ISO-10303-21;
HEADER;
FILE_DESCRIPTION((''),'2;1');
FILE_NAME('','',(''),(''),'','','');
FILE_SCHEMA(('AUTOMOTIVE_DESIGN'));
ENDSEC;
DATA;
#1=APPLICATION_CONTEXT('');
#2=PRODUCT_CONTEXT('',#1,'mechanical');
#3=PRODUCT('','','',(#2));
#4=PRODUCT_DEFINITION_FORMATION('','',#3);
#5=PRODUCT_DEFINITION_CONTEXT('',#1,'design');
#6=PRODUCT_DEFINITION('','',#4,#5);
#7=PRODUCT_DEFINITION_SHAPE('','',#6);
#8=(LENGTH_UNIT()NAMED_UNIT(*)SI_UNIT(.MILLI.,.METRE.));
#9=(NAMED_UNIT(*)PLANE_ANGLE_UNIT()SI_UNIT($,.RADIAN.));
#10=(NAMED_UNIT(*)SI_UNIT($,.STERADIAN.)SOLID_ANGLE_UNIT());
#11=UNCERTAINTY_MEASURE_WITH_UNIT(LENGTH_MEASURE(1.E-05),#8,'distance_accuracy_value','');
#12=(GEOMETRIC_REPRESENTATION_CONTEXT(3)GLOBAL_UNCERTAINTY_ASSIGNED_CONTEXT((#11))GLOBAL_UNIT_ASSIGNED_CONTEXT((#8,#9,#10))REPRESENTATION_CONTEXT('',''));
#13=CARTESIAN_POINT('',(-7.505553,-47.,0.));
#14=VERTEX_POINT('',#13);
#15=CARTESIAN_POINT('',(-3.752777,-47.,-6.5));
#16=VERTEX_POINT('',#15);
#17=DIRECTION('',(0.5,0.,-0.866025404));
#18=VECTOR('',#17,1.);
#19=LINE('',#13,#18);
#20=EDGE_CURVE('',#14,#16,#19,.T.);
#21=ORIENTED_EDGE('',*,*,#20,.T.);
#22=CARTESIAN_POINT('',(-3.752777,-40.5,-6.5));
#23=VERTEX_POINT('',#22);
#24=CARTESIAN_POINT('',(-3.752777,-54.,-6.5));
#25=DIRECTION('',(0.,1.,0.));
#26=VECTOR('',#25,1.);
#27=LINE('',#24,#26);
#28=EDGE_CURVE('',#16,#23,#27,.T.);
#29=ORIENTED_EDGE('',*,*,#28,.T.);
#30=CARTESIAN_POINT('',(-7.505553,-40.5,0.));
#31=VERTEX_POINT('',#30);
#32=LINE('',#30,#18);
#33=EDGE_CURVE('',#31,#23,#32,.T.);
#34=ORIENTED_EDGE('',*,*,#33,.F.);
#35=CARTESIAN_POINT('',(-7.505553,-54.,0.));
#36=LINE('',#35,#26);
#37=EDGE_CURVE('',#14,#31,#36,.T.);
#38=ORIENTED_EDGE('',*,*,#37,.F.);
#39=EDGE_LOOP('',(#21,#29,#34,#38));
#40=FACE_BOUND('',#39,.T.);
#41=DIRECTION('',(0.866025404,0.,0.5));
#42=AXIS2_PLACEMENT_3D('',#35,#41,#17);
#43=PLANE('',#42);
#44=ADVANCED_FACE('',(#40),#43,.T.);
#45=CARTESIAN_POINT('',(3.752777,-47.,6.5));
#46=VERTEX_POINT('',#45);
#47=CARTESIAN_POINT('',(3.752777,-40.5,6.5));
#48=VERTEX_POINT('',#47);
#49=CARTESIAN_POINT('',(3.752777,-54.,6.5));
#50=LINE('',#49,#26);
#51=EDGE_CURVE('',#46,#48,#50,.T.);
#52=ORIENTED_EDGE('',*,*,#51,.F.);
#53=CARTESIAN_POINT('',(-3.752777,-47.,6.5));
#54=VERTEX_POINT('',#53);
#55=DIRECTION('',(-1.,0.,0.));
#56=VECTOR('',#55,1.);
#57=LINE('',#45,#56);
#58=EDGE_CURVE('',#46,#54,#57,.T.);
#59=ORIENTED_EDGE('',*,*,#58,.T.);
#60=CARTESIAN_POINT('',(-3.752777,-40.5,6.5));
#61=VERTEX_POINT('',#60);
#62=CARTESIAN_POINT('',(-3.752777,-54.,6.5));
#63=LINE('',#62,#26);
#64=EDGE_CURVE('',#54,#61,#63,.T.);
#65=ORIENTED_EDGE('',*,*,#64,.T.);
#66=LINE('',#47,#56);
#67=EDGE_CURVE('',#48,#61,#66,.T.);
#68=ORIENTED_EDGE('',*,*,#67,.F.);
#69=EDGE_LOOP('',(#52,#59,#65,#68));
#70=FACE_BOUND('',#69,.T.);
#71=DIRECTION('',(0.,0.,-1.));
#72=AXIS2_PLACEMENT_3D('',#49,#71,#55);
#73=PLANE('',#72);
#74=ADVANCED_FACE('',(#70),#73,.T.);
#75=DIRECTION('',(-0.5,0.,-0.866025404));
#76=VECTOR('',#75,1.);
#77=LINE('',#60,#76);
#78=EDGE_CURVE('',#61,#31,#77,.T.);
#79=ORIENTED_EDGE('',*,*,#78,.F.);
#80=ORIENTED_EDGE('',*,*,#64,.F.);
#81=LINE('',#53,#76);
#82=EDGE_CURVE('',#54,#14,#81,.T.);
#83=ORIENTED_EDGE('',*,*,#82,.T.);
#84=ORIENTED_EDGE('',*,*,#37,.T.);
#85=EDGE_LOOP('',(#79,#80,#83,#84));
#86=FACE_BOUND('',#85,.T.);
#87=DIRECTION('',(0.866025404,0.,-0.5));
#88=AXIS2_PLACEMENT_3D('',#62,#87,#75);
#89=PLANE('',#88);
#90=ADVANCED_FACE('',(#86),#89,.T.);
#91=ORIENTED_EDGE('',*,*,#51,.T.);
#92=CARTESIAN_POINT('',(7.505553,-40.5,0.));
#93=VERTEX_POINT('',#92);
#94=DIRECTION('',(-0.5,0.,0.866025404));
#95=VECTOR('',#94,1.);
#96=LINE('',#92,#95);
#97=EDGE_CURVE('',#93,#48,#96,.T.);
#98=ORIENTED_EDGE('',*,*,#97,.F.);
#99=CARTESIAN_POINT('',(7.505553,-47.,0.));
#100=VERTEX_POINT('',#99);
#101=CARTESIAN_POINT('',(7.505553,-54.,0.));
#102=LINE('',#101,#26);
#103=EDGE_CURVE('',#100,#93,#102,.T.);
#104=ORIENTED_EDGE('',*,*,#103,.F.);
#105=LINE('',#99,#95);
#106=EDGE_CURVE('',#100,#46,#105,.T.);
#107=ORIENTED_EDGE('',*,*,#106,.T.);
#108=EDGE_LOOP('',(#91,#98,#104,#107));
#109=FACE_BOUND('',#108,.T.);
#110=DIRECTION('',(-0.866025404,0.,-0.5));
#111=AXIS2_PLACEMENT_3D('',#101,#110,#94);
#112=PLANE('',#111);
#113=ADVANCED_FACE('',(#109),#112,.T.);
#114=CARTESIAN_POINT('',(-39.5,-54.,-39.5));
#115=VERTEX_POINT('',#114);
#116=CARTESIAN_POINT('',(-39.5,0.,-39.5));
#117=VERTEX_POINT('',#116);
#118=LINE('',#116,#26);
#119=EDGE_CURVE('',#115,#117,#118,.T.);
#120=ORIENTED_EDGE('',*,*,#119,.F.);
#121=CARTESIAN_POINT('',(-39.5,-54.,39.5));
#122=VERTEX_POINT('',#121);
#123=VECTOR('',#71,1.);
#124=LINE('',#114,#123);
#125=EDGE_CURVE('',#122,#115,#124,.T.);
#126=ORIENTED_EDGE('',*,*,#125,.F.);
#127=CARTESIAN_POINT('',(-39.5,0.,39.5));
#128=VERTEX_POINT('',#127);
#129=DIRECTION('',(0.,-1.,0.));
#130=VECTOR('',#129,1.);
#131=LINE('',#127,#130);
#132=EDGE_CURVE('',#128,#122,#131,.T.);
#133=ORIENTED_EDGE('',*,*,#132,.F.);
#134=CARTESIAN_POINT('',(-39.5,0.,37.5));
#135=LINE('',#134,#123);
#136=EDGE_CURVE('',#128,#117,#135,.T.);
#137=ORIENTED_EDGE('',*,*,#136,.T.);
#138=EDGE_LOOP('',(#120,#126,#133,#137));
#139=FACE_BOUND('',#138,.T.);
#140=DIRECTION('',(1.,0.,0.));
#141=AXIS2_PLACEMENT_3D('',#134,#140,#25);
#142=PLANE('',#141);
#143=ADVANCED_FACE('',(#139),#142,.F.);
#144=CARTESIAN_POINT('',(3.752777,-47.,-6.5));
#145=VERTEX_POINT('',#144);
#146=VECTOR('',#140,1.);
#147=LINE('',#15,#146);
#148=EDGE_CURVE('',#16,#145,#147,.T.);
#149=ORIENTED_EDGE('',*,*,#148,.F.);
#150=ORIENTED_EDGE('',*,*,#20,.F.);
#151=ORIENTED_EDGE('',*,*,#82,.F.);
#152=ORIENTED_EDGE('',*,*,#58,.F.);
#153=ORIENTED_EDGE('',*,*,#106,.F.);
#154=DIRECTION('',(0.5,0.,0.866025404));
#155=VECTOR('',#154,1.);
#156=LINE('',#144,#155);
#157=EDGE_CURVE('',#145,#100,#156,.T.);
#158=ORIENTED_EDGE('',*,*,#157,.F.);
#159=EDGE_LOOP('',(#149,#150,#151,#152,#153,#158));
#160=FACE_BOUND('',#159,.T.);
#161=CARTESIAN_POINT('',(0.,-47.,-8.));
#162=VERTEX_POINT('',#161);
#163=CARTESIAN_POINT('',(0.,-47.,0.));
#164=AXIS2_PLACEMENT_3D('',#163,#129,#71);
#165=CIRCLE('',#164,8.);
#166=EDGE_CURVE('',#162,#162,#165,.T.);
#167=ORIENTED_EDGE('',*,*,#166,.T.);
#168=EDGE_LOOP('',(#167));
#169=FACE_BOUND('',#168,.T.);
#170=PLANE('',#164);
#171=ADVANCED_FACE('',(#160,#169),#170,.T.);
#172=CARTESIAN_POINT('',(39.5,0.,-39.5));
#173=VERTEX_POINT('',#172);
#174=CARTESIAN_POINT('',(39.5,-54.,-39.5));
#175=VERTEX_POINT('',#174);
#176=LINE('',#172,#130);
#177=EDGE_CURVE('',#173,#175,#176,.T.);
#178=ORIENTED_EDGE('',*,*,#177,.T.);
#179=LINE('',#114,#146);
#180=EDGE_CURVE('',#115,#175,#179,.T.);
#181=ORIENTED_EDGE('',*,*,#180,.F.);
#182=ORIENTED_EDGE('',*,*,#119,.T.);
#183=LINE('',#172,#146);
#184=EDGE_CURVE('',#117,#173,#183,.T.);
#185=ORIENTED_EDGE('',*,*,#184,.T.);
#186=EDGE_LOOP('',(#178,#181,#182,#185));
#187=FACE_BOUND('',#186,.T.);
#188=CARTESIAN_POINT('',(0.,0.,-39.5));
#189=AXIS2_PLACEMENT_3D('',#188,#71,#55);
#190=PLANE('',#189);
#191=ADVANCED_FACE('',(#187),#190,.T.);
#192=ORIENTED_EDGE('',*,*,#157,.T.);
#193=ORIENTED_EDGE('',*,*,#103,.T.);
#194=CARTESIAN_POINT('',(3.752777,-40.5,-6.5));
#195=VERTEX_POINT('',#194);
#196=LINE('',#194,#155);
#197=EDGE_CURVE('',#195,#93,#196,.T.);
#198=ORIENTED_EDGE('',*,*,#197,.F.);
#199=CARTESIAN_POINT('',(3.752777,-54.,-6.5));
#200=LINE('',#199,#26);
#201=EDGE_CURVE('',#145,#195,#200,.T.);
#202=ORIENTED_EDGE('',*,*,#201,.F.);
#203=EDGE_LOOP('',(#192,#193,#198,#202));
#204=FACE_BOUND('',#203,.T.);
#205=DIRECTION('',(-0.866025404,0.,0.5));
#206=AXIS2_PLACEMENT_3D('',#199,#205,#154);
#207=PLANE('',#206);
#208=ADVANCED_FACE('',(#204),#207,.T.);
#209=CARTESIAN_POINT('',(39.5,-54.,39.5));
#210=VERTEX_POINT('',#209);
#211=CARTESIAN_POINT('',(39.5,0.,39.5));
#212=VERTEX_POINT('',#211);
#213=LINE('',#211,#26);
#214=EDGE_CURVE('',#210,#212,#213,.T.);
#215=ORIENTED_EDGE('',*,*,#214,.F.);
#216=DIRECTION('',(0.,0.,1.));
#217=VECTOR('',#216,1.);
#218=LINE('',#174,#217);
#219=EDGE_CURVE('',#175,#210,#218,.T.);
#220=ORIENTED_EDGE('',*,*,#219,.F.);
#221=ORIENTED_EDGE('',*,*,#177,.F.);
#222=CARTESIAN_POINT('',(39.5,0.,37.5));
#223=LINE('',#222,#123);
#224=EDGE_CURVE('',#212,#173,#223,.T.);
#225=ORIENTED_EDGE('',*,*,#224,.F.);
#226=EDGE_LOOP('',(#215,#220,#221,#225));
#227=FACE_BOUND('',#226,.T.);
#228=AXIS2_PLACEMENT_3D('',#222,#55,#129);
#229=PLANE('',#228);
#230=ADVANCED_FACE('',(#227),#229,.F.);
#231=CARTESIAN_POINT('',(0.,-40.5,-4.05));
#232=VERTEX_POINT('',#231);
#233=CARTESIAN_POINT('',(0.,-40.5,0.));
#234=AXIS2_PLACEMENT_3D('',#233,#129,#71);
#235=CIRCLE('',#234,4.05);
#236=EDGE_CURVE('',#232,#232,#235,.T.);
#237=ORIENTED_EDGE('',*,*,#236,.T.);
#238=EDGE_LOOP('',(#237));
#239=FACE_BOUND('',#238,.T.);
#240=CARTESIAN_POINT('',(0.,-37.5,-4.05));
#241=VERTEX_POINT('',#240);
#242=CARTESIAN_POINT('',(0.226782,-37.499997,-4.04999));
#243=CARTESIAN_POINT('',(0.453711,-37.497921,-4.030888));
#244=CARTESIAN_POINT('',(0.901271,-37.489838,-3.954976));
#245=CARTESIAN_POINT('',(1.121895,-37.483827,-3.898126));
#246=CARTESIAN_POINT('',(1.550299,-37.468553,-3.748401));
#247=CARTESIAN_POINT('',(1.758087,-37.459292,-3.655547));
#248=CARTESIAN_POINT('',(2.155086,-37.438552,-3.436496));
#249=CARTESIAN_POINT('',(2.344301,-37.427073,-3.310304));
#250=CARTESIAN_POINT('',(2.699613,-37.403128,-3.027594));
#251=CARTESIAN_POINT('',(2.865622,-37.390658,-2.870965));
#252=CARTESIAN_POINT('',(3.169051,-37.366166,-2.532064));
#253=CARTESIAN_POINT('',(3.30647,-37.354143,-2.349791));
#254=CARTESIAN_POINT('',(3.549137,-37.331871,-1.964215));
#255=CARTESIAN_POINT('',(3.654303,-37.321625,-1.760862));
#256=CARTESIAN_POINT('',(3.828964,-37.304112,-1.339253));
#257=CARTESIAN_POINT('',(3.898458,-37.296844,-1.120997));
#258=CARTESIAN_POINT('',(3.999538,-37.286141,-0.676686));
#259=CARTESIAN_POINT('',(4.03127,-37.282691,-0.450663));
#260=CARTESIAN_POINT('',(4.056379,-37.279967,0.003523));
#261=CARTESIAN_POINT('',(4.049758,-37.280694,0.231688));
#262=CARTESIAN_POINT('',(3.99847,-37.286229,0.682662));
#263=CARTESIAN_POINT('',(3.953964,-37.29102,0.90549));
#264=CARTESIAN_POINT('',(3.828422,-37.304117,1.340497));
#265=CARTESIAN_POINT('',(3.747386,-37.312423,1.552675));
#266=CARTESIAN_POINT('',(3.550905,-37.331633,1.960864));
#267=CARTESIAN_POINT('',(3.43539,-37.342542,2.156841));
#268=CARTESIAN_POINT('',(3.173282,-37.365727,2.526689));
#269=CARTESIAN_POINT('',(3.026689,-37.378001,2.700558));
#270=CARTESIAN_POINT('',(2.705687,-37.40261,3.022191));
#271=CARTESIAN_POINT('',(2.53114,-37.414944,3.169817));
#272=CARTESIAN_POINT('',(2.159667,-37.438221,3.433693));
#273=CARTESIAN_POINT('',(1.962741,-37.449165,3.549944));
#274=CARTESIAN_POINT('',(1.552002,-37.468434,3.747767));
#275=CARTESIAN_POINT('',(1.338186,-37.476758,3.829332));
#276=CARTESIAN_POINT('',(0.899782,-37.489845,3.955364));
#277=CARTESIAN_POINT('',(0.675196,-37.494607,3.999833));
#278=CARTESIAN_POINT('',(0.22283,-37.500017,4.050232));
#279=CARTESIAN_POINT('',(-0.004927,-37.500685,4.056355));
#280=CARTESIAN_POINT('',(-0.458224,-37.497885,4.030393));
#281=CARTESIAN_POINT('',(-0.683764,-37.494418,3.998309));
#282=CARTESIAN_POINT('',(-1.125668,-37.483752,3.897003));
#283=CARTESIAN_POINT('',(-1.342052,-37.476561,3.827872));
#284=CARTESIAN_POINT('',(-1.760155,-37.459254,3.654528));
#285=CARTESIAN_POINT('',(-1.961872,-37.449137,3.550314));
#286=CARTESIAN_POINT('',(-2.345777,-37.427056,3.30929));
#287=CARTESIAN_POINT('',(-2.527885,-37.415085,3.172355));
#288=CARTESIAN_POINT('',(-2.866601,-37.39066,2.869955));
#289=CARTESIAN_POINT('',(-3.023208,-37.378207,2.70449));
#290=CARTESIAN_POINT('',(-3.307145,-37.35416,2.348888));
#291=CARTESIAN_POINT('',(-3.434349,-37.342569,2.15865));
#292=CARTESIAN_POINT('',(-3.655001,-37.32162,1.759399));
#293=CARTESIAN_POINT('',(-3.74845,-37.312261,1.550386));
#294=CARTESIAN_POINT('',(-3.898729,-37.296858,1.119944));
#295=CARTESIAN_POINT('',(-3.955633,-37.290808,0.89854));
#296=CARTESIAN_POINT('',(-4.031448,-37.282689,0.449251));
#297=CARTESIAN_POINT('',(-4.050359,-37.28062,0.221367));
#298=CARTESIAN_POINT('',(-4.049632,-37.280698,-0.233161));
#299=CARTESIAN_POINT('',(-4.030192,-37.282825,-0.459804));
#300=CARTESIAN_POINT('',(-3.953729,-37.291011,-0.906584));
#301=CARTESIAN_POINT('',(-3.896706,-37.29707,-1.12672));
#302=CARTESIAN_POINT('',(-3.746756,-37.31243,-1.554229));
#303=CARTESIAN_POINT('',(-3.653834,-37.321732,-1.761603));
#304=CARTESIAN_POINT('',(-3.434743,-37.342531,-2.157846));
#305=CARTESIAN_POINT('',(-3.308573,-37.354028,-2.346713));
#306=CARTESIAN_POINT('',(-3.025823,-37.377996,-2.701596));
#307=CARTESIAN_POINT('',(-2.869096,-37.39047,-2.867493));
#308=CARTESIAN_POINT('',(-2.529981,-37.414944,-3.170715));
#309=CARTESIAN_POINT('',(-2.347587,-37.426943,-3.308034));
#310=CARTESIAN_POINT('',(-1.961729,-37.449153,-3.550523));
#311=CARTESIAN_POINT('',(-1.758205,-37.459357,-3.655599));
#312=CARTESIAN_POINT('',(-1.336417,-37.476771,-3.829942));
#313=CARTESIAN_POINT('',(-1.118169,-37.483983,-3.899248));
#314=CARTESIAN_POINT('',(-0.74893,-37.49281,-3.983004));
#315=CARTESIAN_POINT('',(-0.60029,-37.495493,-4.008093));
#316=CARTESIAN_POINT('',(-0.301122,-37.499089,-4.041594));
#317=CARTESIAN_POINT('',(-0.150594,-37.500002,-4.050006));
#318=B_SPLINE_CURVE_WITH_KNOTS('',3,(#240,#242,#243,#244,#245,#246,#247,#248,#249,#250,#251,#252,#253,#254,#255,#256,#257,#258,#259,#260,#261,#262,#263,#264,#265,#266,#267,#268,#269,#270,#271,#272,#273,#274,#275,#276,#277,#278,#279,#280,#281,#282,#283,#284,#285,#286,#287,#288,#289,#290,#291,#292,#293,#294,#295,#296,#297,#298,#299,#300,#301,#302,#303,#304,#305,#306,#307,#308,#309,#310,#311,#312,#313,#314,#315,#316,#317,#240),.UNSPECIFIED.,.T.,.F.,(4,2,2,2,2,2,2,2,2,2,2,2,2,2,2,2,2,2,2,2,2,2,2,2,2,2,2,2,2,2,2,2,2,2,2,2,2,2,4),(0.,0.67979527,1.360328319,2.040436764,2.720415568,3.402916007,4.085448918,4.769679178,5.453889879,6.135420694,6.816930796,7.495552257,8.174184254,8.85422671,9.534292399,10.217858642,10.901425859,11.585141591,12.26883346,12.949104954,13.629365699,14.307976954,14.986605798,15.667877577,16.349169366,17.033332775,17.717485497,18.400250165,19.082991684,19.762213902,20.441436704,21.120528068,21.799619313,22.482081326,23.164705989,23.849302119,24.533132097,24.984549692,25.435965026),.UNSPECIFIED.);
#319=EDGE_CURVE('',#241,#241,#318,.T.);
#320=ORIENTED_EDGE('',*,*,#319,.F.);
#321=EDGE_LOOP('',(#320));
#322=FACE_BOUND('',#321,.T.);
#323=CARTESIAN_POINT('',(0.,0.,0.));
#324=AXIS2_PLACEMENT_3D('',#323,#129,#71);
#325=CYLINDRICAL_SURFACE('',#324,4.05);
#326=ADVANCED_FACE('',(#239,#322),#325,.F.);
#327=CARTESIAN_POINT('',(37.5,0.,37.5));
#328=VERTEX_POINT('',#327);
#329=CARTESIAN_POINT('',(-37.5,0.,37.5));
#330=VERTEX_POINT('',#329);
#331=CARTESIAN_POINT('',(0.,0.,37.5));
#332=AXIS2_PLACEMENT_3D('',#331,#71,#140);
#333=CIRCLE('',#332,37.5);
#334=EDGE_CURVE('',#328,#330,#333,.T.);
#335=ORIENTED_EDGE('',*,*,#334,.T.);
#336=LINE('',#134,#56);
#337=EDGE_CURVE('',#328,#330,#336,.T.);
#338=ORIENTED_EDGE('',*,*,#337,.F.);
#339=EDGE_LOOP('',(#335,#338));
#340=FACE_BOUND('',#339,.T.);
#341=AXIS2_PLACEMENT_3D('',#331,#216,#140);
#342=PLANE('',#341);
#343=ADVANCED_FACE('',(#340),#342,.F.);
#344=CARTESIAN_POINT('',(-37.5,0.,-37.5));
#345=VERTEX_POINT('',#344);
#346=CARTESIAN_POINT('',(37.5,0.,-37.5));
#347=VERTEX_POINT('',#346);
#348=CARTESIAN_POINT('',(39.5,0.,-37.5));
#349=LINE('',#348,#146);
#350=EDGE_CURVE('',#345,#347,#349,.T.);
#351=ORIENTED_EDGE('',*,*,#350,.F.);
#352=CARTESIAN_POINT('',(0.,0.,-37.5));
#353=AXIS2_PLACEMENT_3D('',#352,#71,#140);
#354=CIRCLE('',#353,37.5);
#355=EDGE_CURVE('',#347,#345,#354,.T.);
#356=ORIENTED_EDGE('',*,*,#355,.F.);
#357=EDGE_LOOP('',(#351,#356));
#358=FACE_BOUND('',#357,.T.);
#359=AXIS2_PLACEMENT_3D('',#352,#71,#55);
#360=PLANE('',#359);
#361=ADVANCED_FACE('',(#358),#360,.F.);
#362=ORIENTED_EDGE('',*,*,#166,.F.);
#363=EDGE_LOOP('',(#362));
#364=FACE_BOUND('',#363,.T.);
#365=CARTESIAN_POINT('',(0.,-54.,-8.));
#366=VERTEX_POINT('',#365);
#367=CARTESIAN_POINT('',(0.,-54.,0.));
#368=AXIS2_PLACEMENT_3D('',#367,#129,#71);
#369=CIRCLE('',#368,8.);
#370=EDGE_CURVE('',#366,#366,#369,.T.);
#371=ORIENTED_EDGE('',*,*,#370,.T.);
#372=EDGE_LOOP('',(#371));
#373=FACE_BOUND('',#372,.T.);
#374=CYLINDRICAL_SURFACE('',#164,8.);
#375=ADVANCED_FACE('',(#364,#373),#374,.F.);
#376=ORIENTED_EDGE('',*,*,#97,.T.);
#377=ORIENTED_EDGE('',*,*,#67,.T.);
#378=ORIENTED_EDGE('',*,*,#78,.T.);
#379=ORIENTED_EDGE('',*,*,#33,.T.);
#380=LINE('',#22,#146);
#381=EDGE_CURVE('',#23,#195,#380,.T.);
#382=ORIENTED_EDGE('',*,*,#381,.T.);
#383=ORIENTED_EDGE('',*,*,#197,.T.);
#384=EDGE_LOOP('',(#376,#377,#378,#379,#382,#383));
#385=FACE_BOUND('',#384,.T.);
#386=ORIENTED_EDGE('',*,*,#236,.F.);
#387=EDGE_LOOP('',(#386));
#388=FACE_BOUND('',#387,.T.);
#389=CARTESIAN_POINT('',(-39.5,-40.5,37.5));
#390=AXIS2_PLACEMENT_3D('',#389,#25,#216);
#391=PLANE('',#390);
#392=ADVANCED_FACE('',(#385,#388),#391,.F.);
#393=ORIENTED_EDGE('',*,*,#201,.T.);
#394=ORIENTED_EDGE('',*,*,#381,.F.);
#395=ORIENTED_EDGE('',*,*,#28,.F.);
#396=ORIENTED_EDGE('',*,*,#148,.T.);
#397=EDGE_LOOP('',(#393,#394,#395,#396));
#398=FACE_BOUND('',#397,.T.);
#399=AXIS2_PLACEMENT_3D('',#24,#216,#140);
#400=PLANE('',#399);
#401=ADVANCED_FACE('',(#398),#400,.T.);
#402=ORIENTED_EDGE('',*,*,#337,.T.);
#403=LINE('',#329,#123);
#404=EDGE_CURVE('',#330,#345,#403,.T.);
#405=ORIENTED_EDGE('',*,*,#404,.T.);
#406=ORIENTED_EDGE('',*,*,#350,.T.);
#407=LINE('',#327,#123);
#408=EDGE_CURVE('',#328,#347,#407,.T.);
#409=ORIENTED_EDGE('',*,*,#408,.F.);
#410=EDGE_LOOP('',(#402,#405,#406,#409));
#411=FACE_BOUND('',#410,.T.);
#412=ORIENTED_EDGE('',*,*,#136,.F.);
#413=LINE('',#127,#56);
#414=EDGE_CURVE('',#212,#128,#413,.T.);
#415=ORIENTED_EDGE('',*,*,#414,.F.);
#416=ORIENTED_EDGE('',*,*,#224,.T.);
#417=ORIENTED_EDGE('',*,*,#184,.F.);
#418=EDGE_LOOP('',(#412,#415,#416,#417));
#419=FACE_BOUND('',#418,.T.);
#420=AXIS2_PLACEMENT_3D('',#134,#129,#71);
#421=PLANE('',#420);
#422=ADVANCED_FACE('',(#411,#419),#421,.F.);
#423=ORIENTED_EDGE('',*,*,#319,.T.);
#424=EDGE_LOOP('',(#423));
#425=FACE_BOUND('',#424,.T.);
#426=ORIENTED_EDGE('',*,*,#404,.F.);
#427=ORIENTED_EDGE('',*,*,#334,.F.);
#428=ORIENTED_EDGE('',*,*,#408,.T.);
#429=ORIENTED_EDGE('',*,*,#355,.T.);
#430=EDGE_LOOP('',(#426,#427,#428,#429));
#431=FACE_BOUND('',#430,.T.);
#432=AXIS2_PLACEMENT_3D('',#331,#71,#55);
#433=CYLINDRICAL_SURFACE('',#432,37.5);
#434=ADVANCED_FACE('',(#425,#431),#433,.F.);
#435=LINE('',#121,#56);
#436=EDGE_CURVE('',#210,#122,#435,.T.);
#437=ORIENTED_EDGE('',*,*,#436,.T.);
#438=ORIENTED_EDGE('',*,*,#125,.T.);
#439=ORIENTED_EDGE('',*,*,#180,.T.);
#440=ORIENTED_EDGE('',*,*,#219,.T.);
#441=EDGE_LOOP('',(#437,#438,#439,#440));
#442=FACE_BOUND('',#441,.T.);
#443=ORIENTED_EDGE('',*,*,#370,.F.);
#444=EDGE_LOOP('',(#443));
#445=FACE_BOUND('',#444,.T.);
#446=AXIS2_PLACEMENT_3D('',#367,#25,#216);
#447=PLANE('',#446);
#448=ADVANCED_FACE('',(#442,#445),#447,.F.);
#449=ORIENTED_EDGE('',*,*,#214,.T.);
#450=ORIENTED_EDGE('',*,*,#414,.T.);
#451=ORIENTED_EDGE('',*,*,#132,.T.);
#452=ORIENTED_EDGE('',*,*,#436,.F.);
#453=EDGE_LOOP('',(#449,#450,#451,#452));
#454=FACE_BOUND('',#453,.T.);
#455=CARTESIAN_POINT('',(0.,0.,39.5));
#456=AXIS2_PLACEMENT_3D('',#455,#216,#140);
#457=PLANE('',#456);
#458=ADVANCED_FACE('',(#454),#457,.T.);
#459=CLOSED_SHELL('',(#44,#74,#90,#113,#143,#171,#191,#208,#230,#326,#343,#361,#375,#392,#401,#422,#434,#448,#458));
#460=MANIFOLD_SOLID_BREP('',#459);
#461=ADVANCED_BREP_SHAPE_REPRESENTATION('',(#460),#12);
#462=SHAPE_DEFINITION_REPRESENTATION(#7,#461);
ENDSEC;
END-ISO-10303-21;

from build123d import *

# Parameters (mm, degrees)
BOSS_EXTRUDE1_DEPTH = 37.5
SKETCH2_W           = 79
SKETCH2_H           = 40.5
BOSS_EXTRUDE2_DEPTH = 2
SKETCH3_W           = 79
SKETCH3_H           = 40.5
BOSS_EXTRUDE3_DEPTH = 2
SKETCH4_R           = 4.05
CUT_EXTRUDE2_DEPTH  = 69.998188382
SKETCH5_W           = 79
SKETCH5_H           = 79
BOSS_EXTRUDE4_DEPTH = 13.5
SKETCH6_R           = 8
CUT_EXTRUDE3_DEPTH  = 7


with BuildPart() as part:
    # Sketch1 → Boss-Extrude1 (new, symmetric)
    with BuildSketch(Plane.XY):
        with BuildLine():
            Line((37.5, 0), (39.5, 0))
            Line((39.5, 0), (39.5, -40.5))
            Line((39.5, -40.5), (-39.5, -40.5))
            Line((-39.5, -40.5), (-39.5, 0))
            Line((-39.5, 0), (-37.5, 0))
            ThreePointArc((-37.5, 0), (0, -37.5), (37.5, 0))
        make_face()
    extrude(amount=BOSS_EXTRUDE1_DEPTH, both=True)

    # Sketch2 → Boss-Extrude2 (add)
    with BuildSketch(Plane.XY.offset(37.5)):
        with Locations((0, -20.25)):
            Rectangle(SKETCH2_W, SKETCH2_H)
    extrude(amount=BOSS_EXTRUDE2_DEPTH)

    # Sketch3 → Boss-Extrude3 (add)
    with BuildSketch(Plane(origin=(0, 0, -37.5), x_dir=(-1, 0, 0), z_dir=(0, 0, -1))):
        with Locations((0, -20.25)):
            Rectangle(SKETCH3_W, SKETCH3_H)
    extrude(amount=BOSS_EXTRUDE3_DEPTH)

    # Sketch4 → Cut-Extrude2 (cut, through all)
    with BuildSketch(Plane.XZ.offset(40.5)):
        with Locations(Location((0, 0, 0), (0, 0, 270))):
            Circle(SKETCH4_R)
    extrude(amount=-CUT_EXTRUDE2_DEPTH, mode=Mode.SUBTRACT)

    # Sketch5 → Boss-Extrude4 (add)
    with BuildSketch(Plane.XZ.offset(40.5)):
        Rectangle(SKETCH5_W, SKETCH5_H)
        Polygon((-7.505553499, 0), (-3.75277675, -6.5), (3.75277675, -6.5), (7.505553499, 0), (3.75277675, 6.5), (-3.75277675, 6.5), align=None, mode=Mode.SUBTRACT)
    extrude(amount=BOSS_EXTRUDE4_DEPTH)

    # Sketch6 → Cut-Extrude3 (cut)
    with BuildSketch(Plane.XZ.offset(54)):
        with Locations(Location((0, 0, 0), (0, 0, 270))):
            Circle(SKETCH6_R)
    extrude(amount=-CUT_EXTRUDE3_DEPTH, mode=Mode.SUBTRACT)


solid = part.part
